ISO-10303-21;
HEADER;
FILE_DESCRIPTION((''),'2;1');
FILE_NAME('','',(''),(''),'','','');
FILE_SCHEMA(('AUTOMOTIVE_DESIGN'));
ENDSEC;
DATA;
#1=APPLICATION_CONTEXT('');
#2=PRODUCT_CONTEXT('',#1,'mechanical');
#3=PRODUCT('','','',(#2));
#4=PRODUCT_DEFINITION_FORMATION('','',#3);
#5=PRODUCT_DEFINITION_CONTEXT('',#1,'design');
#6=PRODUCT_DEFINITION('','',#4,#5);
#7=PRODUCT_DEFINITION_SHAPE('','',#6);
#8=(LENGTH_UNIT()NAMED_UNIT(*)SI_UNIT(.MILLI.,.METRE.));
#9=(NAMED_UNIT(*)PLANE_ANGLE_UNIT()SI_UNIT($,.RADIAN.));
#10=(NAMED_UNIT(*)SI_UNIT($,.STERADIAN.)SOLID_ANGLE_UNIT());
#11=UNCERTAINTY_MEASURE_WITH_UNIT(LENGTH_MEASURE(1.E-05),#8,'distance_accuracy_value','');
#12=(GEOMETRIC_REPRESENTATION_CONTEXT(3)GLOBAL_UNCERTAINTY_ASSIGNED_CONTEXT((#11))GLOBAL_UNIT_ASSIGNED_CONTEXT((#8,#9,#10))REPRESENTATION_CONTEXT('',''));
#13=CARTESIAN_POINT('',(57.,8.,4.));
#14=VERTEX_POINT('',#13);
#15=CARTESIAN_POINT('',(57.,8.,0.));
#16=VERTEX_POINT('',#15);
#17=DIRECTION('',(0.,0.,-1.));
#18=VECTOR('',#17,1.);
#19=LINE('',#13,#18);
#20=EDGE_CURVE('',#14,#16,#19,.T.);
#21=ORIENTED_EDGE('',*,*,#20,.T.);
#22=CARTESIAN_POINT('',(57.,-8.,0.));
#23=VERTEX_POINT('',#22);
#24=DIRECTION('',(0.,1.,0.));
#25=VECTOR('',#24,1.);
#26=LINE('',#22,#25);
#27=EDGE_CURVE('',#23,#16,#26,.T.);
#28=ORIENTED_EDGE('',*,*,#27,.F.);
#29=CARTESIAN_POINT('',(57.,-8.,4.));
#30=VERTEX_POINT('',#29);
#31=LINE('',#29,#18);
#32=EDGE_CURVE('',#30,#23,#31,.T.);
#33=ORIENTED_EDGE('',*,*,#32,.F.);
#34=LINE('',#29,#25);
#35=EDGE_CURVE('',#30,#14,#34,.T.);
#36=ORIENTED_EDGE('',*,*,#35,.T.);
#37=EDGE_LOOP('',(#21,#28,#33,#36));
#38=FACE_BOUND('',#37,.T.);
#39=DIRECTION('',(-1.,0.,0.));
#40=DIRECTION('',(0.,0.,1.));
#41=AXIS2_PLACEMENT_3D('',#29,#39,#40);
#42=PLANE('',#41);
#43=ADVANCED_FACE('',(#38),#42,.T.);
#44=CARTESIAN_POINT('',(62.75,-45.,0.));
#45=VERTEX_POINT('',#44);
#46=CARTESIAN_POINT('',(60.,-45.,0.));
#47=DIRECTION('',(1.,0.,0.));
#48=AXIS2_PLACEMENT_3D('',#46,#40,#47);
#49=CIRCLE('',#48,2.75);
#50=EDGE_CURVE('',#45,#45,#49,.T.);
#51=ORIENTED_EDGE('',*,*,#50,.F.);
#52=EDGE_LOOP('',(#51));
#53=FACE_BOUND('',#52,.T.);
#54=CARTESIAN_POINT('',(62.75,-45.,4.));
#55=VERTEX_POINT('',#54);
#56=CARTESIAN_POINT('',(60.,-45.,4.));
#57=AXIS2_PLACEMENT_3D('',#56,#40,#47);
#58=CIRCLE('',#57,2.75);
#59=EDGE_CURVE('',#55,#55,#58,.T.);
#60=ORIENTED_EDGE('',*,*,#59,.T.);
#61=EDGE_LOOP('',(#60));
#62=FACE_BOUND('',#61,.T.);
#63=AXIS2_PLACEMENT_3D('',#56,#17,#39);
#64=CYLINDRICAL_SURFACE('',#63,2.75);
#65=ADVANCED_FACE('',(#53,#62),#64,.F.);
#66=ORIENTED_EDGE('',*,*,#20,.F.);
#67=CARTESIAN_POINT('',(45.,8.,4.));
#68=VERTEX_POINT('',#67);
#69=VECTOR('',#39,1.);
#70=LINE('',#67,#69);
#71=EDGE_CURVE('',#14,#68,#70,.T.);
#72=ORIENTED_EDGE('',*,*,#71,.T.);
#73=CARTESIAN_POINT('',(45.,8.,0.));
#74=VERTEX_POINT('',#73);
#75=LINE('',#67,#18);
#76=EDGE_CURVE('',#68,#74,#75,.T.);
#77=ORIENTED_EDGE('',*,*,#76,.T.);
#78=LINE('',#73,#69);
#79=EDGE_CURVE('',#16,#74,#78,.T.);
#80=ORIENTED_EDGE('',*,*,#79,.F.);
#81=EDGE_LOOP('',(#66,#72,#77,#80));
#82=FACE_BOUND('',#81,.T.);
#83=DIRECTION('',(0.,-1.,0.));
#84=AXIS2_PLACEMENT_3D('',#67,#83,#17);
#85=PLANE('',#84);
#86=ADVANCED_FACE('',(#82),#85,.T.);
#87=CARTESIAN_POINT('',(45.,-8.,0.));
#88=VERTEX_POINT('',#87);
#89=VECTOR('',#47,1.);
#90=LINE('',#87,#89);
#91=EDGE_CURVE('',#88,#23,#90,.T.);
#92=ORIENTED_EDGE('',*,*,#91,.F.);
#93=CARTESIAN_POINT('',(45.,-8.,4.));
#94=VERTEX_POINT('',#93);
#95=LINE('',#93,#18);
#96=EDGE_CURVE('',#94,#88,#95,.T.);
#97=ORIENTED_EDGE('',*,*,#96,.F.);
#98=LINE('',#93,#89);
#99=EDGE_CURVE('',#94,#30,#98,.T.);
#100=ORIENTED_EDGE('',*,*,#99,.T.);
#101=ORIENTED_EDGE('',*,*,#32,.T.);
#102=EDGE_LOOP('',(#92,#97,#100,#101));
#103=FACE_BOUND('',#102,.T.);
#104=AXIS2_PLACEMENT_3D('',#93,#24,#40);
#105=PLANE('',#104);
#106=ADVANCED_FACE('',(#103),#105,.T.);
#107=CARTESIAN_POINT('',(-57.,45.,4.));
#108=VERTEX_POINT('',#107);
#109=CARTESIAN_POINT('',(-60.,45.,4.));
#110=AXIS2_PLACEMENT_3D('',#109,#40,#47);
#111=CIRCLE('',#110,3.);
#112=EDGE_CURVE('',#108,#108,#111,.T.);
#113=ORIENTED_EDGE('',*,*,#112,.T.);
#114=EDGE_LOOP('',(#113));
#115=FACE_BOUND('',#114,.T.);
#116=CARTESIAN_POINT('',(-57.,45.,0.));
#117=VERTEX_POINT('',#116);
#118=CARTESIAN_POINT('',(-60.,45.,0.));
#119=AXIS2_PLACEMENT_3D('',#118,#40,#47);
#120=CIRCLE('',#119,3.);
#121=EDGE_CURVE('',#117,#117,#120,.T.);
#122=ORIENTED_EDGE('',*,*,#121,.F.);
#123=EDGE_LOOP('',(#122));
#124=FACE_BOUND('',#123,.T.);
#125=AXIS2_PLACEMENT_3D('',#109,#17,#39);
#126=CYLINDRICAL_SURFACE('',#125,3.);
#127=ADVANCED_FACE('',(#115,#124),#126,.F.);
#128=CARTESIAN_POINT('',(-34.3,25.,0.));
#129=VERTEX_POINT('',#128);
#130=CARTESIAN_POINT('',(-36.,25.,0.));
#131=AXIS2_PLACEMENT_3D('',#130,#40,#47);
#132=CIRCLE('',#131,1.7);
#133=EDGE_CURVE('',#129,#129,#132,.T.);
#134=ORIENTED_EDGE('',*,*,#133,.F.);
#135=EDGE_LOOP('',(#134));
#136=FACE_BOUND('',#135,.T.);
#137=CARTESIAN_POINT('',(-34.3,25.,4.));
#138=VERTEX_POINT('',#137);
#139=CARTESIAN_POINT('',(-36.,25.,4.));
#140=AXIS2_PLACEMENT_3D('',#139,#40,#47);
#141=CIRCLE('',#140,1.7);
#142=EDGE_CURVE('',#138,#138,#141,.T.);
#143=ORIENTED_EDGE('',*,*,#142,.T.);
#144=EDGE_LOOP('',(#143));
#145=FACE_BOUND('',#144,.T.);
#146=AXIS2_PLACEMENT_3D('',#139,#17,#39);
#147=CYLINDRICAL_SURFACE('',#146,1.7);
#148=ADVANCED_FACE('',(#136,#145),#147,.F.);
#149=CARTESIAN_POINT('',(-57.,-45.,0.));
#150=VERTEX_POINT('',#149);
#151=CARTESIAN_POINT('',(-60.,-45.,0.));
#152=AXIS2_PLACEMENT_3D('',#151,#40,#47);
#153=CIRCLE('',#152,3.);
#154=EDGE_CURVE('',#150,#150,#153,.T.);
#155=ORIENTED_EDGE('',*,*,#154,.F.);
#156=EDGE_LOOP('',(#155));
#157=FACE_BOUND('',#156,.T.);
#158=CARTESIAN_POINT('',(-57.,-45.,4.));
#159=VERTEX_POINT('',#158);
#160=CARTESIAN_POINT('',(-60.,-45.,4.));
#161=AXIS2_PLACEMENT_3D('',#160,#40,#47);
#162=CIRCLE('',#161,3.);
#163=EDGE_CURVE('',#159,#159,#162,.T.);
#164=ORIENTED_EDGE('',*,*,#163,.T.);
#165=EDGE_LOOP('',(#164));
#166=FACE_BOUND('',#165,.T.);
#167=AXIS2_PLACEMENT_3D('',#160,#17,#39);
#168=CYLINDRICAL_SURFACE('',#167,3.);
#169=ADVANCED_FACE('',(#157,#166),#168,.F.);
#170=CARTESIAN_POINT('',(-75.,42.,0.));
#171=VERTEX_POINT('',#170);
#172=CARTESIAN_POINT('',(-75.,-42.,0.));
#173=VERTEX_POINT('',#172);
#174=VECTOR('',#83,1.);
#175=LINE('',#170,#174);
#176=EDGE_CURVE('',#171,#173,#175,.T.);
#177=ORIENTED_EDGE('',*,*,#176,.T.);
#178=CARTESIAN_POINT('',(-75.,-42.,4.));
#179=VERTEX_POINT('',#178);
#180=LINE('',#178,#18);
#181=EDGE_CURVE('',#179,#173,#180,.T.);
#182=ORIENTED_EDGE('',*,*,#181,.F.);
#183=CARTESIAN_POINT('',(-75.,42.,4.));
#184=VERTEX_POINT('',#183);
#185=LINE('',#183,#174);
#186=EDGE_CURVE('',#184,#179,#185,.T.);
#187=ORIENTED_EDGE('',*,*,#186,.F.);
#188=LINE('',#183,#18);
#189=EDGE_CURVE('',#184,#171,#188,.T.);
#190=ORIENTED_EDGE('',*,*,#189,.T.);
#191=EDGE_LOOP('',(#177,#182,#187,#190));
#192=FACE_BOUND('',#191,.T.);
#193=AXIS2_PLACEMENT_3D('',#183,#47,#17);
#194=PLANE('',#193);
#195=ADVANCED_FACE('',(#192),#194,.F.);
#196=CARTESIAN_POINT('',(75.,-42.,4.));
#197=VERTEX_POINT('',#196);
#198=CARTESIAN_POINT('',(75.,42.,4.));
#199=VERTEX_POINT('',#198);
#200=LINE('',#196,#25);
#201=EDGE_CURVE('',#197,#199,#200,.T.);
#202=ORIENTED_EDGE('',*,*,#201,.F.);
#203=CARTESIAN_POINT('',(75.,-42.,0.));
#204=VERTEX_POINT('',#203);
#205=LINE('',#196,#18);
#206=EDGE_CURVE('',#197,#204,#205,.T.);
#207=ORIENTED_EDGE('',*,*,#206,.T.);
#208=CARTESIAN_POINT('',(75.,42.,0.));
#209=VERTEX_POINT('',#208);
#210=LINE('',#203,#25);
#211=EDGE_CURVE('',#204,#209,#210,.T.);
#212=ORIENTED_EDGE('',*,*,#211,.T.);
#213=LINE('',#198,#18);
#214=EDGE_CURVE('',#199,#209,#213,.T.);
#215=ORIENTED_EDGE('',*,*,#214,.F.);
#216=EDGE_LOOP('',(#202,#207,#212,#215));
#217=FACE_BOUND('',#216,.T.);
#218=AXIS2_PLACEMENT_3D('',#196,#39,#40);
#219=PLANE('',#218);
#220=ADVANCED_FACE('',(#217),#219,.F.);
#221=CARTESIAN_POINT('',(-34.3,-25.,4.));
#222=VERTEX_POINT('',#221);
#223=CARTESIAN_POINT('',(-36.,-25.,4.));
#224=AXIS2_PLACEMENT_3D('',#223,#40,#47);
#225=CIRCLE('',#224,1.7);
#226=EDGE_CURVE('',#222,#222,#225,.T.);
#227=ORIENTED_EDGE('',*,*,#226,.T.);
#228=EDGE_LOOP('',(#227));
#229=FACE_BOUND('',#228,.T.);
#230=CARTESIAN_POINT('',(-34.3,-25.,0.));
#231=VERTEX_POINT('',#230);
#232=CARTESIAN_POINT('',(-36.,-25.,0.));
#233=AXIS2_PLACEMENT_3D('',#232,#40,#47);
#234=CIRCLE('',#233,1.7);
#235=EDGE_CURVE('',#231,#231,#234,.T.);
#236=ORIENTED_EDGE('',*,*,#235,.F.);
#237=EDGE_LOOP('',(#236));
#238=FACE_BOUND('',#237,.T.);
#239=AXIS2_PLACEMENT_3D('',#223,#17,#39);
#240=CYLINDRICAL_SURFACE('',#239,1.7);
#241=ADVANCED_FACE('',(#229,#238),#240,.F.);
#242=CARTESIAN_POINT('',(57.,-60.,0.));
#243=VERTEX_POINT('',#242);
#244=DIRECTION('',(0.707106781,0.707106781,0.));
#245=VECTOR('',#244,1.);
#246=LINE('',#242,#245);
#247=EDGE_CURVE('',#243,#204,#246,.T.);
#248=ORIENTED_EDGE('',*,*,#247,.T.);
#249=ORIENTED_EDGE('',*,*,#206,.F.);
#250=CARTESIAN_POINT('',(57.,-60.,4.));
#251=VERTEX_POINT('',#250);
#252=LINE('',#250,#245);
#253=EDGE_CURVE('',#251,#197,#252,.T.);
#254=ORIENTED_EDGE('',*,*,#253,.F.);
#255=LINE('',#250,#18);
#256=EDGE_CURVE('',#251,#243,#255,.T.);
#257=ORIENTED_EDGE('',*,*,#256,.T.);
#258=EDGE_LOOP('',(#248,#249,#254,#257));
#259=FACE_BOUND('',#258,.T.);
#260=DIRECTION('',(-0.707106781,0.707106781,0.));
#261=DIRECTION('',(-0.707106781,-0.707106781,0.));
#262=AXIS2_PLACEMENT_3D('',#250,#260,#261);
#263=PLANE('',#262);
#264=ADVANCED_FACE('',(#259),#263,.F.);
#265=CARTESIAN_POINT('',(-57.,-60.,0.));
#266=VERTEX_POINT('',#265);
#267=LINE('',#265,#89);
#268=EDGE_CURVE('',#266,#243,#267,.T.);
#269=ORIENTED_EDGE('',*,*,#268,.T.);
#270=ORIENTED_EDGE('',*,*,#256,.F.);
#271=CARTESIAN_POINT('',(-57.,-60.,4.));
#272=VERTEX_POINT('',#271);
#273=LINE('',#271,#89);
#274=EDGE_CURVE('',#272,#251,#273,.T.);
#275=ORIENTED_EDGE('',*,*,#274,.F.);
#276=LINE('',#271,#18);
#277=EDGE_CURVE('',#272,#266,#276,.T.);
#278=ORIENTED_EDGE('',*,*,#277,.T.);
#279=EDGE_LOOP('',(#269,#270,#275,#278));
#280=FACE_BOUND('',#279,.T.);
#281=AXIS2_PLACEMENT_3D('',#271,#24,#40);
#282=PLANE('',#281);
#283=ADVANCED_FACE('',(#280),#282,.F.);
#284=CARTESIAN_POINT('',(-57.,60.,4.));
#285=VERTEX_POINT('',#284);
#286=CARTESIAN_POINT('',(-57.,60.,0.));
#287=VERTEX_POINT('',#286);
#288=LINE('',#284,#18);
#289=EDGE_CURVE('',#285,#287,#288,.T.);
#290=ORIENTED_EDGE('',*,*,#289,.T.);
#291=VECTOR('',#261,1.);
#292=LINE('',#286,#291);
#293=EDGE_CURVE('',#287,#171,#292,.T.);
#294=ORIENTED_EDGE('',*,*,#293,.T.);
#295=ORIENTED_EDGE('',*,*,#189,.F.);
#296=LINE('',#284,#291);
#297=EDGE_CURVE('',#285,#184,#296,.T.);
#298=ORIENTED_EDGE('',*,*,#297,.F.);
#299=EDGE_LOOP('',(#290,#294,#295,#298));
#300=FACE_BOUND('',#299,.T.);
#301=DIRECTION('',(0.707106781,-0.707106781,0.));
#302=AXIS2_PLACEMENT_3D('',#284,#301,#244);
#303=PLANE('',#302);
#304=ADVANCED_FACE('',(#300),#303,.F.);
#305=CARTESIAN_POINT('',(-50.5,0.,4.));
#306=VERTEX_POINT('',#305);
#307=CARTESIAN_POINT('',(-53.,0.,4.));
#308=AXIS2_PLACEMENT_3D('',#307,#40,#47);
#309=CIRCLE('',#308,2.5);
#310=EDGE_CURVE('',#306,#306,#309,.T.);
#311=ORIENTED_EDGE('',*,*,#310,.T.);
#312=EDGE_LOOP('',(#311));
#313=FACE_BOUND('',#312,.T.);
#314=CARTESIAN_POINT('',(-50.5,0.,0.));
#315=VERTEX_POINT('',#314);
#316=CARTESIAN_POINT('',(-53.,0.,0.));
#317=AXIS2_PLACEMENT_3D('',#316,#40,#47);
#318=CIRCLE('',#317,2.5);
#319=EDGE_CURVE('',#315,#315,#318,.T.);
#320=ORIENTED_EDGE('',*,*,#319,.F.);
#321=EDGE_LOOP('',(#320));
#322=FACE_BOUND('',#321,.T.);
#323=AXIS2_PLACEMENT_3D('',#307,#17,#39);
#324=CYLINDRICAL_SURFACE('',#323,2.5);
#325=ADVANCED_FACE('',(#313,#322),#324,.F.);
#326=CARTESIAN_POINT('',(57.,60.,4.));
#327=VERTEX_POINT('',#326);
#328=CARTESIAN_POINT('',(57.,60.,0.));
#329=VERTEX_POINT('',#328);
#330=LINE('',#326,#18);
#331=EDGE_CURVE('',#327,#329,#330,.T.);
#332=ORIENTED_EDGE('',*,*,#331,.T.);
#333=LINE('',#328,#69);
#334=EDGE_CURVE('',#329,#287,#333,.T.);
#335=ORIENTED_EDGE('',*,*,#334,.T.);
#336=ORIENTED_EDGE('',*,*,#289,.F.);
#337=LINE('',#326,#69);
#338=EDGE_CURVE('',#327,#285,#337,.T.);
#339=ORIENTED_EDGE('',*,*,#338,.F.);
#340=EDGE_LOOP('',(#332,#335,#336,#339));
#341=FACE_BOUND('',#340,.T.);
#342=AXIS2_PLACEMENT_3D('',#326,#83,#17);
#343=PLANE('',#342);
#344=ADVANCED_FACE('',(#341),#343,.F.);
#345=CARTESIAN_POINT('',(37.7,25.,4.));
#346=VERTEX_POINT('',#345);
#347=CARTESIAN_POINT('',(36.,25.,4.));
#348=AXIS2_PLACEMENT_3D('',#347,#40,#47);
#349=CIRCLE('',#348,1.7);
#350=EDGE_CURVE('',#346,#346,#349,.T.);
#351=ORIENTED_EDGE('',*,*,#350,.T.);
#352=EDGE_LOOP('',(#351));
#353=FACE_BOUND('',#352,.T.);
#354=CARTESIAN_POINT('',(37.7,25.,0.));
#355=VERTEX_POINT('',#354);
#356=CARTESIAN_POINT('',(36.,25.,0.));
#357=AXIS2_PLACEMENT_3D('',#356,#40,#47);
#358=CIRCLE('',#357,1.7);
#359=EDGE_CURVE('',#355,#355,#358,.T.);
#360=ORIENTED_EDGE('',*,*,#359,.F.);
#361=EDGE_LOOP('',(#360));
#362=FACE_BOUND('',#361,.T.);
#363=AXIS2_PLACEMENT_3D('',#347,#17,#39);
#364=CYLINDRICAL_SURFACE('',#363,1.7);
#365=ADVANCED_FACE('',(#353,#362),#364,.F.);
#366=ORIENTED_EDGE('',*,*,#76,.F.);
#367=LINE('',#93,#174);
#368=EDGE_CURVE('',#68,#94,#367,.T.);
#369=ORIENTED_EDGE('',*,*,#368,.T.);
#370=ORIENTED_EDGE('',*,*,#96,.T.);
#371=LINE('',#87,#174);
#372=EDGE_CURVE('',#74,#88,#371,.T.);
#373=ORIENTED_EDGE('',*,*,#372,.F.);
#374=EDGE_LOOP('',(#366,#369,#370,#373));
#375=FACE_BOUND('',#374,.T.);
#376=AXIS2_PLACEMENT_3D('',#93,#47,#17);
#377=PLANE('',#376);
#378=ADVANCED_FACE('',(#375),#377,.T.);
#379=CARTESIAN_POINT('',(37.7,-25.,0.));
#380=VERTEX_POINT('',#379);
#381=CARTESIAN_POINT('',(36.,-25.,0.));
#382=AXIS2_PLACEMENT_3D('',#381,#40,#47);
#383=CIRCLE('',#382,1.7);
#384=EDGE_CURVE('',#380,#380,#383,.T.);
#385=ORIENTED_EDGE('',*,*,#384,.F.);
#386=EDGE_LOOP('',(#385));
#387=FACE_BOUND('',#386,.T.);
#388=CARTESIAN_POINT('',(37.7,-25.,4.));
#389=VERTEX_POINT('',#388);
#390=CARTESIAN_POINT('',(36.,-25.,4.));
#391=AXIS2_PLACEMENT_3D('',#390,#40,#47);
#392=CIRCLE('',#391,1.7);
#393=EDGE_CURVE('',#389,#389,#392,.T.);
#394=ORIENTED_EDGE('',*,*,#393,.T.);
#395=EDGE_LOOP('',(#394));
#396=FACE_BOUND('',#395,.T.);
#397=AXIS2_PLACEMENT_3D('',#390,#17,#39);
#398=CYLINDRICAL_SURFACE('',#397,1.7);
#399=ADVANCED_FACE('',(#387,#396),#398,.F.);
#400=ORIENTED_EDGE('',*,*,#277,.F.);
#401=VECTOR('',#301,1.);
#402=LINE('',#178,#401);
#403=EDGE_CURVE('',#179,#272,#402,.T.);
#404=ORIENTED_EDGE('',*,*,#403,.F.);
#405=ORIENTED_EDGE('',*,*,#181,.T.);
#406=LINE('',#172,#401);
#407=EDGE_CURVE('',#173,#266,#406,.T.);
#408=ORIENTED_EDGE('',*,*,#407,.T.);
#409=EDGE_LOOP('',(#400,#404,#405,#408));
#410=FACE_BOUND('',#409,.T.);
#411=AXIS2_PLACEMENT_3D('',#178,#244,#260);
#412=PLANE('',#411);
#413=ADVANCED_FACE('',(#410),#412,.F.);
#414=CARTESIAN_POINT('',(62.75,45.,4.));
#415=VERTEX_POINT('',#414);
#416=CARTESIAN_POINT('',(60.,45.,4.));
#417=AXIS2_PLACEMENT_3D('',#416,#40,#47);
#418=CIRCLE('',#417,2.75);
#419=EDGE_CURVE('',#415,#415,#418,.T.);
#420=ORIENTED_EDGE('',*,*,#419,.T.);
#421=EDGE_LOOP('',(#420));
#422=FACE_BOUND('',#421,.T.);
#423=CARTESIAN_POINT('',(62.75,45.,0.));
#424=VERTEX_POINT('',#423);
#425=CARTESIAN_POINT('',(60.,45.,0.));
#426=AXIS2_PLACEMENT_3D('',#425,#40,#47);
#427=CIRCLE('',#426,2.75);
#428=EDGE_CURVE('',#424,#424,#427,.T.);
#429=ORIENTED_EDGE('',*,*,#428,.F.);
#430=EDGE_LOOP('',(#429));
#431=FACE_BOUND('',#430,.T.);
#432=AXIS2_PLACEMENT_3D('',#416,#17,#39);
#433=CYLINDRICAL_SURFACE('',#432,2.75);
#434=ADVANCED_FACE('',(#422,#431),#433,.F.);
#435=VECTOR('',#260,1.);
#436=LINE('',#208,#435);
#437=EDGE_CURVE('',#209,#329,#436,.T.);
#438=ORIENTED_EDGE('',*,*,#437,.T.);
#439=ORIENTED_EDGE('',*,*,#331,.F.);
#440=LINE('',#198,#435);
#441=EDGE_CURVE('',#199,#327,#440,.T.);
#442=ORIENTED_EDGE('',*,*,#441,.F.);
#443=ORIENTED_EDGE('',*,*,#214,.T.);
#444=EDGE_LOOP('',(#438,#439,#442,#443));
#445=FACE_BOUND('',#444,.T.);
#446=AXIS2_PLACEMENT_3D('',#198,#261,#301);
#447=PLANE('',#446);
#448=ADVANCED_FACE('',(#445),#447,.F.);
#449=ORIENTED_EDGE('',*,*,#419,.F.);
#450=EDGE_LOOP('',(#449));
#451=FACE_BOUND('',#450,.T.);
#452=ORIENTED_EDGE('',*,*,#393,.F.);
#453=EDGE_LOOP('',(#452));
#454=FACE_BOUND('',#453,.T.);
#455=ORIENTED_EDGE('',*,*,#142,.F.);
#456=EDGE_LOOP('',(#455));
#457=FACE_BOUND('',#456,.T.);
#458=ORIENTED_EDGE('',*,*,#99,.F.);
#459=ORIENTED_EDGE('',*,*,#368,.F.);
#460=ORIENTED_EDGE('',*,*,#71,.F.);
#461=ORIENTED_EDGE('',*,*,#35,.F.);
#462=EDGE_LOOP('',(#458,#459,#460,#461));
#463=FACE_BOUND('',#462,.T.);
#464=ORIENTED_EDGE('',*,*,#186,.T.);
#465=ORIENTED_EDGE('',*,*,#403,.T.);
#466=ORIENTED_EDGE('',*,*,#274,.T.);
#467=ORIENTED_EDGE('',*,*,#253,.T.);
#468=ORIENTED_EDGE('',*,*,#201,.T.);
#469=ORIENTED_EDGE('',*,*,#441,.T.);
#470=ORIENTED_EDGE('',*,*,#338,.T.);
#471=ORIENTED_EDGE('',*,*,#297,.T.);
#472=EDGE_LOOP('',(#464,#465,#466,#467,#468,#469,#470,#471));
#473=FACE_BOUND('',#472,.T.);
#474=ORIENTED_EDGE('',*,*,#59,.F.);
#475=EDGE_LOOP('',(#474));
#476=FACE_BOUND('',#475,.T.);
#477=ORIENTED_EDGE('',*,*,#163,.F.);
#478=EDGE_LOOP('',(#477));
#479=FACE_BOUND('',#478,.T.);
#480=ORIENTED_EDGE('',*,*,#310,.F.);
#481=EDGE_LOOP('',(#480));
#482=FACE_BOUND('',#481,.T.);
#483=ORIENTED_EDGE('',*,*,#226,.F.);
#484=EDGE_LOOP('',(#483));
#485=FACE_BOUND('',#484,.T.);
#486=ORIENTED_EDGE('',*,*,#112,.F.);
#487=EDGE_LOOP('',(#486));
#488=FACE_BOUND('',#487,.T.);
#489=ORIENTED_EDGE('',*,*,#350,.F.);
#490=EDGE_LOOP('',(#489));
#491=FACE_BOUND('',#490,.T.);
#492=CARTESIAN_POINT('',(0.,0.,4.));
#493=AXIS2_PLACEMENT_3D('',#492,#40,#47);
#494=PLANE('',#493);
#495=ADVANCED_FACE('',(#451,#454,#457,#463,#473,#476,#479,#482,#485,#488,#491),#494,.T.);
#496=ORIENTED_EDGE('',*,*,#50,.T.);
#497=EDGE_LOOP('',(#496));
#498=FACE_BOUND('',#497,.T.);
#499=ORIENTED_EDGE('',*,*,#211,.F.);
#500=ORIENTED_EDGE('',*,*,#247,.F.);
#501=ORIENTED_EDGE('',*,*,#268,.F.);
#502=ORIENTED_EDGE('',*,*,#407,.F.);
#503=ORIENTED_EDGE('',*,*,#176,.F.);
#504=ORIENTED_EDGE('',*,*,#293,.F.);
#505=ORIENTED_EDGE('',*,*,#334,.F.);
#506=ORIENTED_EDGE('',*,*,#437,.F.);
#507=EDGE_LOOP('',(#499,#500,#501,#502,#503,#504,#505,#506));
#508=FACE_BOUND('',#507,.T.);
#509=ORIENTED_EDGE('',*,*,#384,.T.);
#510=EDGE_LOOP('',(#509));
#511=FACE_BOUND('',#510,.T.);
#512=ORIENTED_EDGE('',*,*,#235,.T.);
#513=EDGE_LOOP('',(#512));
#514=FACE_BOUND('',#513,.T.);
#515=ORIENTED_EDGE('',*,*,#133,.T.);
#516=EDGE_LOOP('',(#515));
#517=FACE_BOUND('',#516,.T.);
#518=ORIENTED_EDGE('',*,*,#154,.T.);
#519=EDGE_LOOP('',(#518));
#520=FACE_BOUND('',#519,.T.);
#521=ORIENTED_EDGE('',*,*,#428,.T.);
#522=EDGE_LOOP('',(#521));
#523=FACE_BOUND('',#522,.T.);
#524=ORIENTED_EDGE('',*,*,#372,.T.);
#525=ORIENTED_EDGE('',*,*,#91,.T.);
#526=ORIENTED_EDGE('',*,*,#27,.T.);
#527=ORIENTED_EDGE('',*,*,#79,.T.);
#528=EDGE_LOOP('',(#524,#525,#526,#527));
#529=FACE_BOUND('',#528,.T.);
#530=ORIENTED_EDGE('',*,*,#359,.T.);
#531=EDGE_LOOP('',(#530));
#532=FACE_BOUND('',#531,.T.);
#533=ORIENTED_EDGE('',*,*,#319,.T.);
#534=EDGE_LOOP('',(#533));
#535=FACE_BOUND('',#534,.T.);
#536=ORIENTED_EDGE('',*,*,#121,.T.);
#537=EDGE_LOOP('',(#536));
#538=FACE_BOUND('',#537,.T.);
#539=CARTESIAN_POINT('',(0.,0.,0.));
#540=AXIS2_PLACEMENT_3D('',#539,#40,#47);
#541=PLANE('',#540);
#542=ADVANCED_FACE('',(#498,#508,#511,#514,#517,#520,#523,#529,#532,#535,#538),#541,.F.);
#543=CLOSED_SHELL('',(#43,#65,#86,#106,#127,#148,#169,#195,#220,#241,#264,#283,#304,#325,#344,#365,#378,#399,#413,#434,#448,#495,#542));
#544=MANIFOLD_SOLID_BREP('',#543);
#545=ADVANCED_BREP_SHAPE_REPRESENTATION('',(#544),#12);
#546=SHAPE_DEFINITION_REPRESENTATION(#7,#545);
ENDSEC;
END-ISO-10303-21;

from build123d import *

# Parameters (mm, degrees)
SKETCH_1_R            = 3
SKETCH_1_R_2          = 2.75
SKETCH_1_R_3          = 1.7
SKETCH_1_R_4          = 2.5
SKETCH_1_W            = 12
SKETCH_1_H            = 16
F_01_CEILING_M5_DEPTH = 4


with BuildPart() as part:
    # Эскиз1 → 01_Ceiling_M5 (new body)
    with BuildSketch(Plane.XY):
        Polygon((-57, -60), (57, -60), (75, -42), (75, 42), (57, 60), (-57, 60), (-75, 42), (-75, -42), align=None)
        with Locations((-60, -45)):
            Circle(SKETCH_1_R, mode=Mode.SUBTRACT)
        with Locations((-60, 45)):
            Circle(SKETCH_1_R, mode=Mode.SUBTRACT)
        with Locations((60, -45)):
            Circle(SKETCH_1_R_2, mode=Mode.SUBTRACT)
        with Locations((60, 45)):
            Circle(SKETCH_1_R_2, mode=Mode.SUBTRACT)
        with Locations((-36, -25)):
            Circle(SKETCH_1_R_3, mode=Mode.SUBTRACT)
        with Locations((-36, 25)):
            Circle(SKETCH_1_R_3, mode=Mode.SUBTRACT)
        with Locations((36, -25)):
            Circle(SKETCH_1_R_3, mode=Mode.SUBTRACT)
        with Locations((36, 25)):
            Circle(SKETCH_1_R_3, mode=Mode.SUBTRACT)
        with Locations((-53, 0)):
            Circle(SKETCH_1_R_4, mode=Mode.SUBTRACT)
        with Locations((51, 0)):
            Rectangle(SKETCH_1_W, SKETCH_1_H, mode=Mode.SUBTRACT)
    extrude(amount=F_01_CEILING_M5_DEPTH)


solid = part.part
